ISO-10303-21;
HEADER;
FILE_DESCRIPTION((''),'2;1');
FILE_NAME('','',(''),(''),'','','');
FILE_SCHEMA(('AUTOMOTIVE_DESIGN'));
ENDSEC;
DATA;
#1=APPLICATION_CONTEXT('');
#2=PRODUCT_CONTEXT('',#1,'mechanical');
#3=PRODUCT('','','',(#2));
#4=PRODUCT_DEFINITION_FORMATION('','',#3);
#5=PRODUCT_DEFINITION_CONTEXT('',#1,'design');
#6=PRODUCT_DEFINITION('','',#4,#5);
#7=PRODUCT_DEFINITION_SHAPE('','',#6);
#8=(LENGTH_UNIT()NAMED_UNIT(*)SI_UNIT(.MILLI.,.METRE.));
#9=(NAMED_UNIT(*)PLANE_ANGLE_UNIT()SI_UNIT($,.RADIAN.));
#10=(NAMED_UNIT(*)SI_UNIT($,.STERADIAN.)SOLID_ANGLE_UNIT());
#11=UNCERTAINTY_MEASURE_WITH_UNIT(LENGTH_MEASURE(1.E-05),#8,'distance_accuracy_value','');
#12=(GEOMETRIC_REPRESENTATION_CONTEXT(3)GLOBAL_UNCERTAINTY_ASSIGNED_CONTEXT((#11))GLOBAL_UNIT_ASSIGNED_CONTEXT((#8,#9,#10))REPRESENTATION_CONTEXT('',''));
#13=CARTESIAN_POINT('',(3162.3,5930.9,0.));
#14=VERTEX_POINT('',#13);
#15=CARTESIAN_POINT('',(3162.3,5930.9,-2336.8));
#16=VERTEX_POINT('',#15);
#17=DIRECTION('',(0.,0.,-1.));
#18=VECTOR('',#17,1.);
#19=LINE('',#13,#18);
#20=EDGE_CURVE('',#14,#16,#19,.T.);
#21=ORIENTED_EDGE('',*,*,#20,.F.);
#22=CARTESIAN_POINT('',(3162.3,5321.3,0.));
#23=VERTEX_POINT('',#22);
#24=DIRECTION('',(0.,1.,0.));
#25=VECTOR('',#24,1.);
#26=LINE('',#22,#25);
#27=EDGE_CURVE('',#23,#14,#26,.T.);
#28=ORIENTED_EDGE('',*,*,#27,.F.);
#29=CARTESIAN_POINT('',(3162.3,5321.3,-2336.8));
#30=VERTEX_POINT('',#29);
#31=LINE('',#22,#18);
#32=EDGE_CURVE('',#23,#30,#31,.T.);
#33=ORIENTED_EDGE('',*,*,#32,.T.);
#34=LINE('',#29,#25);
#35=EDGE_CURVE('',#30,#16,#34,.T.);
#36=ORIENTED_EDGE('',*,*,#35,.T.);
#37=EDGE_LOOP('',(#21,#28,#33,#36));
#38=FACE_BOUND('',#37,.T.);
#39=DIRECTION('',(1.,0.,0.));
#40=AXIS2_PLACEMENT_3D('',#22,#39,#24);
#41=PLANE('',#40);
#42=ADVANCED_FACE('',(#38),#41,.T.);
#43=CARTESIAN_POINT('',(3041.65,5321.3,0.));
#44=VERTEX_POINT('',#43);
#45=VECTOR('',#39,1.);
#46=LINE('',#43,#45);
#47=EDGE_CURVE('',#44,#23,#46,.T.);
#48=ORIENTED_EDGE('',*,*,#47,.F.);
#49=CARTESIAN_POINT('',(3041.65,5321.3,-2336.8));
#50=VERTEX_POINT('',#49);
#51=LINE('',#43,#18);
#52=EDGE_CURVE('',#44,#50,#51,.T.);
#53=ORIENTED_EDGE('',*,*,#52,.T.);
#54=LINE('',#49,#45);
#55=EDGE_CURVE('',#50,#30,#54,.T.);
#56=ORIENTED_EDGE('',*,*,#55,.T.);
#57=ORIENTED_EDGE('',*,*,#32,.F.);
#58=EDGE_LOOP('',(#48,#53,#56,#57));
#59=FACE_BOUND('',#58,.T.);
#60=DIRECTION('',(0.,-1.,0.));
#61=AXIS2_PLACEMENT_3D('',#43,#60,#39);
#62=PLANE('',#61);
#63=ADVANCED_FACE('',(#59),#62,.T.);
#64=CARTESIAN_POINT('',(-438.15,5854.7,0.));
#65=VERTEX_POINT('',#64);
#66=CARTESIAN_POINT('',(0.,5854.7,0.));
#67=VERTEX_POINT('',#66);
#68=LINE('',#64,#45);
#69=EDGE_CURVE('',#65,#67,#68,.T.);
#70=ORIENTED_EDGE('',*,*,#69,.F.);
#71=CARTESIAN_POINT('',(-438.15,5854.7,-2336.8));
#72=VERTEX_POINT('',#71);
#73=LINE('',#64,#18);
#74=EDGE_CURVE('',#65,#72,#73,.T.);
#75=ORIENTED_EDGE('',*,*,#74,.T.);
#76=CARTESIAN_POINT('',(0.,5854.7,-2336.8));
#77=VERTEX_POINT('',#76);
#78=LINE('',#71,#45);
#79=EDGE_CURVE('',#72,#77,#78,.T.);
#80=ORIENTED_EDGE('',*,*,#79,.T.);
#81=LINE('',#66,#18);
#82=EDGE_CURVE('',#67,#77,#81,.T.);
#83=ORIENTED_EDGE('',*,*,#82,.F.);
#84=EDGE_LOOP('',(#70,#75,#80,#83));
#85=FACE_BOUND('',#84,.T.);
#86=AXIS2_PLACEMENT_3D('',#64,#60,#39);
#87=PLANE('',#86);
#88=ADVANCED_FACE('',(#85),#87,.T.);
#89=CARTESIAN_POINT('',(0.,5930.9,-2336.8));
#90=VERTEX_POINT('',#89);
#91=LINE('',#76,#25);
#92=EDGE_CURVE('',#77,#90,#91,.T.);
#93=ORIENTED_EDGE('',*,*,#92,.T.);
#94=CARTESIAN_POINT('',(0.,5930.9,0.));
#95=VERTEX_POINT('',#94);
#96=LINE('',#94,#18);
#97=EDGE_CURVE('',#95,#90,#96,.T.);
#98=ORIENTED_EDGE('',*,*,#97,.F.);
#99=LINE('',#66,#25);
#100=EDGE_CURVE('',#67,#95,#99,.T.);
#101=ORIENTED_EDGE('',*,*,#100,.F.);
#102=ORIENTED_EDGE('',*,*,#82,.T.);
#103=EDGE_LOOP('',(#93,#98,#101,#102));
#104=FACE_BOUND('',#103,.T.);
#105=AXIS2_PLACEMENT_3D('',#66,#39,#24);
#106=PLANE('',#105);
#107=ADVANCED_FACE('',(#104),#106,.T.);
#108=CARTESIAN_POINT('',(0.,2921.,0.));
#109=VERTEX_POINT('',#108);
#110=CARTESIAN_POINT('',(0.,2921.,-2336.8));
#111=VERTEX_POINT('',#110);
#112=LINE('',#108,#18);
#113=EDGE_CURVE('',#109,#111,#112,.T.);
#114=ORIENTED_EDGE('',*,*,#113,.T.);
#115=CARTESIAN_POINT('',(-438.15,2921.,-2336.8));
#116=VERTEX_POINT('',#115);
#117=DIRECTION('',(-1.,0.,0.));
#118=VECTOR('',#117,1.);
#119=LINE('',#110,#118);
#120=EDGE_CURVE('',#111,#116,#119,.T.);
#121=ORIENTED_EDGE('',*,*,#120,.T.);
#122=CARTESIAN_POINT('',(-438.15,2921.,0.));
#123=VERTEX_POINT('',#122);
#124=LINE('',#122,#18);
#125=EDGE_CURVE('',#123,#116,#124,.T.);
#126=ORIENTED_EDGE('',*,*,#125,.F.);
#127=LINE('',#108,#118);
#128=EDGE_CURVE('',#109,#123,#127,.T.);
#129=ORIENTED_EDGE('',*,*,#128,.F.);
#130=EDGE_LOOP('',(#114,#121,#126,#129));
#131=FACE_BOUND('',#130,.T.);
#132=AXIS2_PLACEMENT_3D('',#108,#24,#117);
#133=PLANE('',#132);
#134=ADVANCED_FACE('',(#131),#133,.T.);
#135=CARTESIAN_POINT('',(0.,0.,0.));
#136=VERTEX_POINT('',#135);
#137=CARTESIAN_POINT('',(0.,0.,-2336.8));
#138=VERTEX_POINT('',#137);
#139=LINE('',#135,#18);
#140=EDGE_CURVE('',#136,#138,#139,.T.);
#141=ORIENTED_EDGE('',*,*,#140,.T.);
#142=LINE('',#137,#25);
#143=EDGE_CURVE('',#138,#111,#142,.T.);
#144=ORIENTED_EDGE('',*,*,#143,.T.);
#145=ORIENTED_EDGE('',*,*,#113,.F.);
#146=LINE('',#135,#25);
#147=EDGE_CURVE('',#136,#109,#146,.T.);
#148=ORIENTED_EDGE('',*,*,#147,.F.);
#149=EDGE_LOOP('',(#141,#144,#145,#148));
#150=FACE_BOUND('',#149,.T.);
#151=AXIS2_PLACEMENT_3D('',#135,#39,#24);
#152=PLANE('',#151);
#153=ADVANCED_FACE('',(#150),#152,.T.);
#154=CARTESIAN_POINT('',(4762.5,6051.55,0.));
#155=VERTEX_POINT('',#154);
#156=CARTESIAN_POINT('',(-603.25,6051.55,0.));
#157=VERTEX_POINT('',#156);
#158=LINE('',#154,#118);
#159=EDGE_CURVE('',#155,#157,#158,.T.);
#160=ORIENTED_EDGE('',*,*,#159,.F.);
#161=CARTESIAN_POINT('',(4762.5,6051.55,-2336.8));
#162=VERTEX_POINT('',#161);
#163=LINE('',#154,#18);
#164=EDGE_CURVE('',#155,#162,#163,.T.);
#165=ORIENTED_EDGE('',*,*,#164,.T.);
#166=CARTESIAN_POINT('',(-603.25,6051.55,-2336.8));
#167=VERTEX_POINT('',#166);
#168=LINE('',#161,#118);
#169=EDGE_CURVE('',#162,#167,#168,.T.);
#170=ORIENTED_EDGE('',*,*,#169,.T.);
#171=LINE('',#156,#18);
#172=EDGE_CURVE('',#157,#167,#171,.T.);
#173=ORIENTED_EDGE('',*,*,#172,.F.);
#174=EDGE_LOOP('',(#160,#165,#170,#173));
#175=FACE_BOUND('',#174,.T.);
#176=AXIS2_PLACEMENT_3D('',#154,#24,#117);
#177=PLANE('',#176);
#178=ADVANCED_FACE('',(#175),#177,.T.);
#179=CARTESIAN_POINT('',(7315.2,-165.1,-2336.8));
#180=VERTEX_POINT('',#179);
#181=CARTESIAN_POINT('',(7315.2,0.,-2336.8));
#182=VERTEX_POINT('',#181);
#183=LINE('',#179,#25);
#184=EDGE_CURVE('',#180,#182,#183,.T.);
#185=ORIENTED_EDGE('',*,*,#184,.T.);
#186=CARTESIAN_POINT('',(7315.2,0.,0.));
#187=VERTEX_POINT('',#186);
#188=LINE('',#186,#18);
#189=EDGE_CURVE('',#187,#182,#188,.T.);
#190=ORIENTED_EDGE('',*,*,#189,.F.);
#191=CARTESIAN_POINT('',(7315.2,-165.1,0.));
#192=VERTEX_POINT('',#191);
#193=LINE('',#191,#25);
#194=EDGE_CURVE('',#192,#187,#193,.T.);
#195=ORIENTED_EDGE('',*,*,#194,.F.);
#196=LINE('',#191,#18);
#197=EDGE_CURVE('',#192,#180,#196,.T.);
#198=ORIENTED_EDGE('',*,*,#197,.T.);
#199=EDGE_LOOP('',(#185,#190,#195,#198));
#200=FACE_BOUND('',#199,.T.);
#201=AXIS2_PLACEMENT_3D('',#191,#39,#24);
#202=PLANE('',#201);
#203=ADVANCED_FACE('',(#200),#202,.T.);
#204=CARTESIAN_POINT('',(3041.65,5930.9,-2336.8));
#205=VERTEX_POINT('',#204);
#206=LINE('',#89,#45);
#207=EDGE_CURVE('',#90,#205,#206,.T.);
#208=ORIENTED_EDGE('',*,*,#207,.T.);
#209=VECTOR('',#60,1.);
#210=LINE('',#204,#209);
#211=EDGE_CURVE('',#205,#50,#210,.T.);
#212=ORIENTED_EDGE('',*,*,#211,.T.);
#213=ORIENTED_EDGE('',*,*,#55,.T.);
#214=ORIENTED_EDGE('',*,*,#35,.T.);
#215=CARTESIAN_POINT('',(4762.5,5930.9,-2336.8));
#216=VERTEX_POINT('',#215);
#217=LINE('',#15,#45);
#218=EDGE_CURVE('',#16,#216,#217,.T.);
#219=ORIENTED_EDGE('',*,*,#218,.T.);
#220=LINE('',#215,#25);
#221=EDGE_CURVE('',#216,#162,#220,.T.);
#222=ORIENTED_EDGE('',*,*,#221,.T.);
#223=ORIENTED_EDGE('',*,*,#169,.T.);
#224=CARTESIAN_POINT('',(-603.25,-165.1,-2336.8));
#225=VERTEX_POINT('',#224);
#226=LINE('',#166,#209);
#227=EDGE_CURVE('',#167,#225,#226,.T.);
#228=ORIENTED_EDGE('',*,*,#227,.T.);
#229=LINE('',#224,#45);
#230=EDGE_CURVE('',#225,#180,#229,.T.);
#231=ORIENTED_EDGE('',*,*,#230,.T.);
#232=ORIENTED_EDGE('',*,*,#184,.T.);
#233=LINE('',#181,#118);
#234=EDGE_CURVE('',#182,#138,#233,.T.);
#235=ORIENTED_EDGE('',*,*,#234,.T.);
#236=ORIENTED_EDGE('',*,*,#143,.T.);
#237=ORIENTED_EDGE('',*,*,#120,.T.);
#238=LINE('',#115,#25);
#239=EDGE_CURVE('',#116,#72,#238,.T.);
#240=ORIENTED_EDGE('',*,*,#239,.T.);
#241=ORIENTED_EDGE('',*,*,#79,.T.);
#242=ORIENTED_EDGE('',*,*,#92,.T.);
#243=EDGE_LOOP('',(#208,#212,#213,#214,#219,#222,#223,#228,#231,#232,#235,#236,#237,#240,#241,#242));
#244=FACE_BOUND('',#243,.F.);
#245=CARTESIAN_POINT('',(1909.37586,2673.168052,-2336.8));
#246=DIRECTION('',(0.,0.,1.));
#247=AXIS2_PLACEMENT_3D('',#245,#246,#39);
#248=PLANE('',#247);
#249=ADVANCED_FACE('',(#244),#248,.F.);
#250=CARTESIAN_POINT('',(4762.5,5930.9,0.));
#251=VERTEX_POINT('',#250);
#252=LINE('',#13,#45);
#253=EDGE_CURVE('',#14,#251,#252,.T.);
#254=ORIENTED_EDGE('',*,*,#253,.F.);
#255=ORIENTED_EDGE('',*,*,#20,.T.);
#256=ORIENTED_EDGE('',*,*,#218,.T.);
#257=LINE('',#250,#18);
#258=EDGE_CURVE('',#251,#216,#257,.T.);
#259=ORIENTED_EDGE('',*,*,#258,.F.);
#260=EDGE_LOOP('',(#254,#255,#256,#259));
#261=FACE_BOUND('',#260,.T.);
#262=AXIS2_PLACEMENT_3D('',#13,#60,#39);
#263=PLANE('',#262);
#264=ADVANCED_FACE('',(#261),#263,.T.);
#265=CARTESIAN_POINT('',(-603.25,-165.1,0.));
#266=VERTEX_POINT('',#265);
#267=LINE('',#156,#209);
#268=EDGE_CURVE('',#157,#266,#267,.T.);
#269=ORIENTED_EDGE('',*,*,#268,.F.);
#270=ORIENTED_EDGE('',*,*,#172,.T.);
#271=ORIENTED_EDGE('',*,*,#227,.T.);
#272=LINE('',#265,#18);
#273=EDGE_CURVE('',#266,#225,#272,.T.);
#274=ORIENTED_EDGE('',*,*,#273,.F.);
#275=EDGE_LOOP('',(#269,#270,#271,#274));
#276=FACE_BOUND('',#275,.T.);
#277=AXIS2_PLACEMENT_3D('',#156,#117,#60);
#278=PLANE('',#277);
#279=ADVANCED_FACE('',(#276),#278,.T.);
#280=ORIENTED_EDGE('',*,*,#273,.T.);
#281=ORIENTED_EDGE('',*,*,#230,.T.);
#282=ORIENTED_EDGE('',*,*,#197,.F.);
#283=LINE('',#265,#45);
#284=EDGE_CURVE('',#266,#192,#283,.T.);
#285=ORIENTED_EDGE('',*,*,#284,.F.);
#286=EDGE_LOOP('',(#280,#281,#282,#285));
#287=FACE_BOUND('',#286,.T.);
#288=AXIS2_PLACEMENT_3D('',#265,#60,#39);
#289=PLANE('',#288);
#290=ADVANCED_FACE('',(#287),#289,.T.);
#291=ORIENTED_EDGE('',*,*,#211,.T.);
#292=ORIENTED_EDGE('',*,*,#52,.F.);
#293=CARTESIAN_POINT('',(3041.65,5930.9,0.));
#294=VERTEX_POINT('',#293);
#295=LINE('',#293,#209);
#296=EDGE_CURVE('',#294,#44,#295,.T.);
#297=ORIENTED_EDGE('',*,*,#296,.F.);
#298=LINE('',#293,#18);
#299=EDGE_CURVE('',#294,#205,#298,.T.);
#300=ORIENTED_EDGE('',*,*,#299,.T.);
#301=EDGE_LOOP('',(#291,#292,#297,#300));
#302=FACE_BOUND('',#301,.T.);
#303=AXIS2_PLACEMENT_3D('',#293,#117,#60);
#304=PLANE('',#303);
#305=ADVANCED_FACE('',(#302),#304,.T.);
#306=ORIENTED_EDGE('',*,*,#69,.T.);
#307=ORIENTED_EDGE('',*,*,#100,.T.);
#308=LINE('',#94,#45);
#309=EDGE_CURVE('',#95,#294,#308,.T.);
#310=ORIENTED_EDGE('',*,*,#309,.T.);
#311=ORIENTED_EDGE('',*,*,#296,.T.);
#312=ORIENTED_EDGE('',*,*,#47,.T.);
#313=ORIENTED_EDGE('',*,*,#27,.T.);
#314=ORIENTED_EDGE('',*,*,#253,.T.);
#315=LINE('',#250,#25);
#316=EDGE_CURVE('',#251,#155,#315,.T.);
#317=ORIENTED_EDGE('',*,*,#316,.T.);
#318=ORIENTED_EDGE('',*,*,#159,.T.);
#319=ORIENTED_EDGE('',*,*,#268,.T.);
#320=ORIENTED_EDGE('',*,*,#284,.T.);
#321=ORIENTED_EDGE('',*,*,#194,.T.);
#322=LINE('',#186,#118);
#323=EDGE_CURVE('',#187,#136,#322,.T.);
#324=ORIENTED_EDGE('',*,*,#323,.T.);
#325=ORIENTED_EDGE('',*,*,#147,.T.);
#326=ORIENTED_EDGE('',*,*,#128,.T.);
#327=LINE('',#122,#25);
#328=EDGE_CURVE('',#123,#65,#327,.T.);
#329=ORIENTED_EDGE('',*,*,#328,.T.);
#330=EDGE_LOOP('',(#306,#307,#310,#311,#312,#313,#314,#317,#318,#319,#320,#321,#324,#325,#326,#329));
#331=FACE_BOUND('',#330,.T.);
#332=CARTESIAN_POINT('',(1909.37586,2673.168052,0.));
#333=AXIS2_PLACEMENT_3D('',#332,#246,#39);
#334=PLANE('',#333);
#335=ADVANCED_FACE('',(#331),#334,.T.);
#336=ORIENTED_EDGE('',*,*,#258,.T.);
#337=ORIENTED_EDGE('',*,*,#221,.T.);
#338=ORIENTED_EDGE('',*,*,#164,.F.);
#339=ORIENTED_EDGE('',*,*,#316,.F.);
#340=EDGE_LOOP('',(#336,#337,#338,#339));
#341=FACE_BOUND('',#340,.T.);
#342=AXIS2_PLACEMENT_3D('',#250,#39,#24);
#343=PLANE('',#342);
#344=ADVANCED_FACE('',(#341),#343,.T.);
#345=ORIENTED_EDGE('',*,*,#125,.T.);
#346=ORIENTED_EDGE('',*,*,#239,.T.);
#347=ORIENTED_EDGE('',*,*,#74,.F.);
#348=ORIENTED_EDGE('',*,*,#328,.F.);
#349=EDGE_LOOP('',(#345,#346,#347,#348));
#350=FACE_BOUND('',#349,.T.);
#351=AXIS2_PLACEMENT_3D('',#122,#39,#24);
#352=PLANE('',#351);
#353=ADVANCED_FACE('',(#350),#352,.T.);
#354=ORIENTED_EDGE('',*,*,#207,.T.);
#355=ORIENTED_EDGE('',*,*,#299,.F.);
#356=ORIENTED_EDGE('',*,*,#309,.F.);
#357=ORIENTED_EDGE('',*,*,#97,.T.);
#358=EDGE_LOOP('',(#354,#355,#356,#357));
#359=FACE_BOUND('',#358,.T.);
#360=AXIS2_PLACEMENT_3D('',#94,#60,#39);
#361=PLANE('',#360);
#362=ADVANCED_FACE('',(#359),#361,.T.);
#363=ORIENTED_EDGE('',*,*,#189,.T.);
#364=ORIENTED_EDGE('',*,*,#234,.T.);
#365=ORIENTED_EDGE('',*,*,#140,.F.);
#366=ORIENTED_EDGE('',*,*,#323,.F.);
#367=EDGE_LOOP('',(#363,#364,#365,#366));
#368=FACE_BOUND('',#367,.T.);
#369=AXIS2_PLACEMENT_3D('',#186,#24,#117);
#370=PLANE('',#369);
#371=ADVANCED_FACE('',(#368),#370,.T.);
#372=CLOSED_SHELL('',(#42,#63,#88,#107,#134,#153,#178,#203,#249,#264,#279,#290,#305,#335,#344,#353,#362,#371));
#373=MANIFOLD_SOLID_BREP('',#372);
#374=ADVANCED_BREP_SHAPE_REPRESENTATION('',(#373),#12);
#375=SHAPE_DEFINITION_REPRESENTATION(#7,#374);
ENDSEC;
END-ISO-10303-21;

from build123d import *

# Parameters (mm, degrees)
F1_DEPTH = 2336.8


with BuildPart() as f1:
    # F0 (on Top) → F1 (new body)
    with BuildSketch(Plane.XY):
        Polygon((7315.2, 0), (0, 0), (0, 2921), (-438.15, 2921), (-438.15, 5854.7), (0, 5854.7), (0, 5930.9), (3041.65, 5930.9), (3041.65, 5321.3), (3162.3, 5321.3), (3162.3, 5930.9), (4762.5, 5930.9), (4762.5, 6051.55), (0, 6051.55), (-603.25, 6051.55), (-603.25, -165.1), (7315.2, -165.1), align=None)
    extrude(amount=-F1_DEPTH)


solid = f1.part
